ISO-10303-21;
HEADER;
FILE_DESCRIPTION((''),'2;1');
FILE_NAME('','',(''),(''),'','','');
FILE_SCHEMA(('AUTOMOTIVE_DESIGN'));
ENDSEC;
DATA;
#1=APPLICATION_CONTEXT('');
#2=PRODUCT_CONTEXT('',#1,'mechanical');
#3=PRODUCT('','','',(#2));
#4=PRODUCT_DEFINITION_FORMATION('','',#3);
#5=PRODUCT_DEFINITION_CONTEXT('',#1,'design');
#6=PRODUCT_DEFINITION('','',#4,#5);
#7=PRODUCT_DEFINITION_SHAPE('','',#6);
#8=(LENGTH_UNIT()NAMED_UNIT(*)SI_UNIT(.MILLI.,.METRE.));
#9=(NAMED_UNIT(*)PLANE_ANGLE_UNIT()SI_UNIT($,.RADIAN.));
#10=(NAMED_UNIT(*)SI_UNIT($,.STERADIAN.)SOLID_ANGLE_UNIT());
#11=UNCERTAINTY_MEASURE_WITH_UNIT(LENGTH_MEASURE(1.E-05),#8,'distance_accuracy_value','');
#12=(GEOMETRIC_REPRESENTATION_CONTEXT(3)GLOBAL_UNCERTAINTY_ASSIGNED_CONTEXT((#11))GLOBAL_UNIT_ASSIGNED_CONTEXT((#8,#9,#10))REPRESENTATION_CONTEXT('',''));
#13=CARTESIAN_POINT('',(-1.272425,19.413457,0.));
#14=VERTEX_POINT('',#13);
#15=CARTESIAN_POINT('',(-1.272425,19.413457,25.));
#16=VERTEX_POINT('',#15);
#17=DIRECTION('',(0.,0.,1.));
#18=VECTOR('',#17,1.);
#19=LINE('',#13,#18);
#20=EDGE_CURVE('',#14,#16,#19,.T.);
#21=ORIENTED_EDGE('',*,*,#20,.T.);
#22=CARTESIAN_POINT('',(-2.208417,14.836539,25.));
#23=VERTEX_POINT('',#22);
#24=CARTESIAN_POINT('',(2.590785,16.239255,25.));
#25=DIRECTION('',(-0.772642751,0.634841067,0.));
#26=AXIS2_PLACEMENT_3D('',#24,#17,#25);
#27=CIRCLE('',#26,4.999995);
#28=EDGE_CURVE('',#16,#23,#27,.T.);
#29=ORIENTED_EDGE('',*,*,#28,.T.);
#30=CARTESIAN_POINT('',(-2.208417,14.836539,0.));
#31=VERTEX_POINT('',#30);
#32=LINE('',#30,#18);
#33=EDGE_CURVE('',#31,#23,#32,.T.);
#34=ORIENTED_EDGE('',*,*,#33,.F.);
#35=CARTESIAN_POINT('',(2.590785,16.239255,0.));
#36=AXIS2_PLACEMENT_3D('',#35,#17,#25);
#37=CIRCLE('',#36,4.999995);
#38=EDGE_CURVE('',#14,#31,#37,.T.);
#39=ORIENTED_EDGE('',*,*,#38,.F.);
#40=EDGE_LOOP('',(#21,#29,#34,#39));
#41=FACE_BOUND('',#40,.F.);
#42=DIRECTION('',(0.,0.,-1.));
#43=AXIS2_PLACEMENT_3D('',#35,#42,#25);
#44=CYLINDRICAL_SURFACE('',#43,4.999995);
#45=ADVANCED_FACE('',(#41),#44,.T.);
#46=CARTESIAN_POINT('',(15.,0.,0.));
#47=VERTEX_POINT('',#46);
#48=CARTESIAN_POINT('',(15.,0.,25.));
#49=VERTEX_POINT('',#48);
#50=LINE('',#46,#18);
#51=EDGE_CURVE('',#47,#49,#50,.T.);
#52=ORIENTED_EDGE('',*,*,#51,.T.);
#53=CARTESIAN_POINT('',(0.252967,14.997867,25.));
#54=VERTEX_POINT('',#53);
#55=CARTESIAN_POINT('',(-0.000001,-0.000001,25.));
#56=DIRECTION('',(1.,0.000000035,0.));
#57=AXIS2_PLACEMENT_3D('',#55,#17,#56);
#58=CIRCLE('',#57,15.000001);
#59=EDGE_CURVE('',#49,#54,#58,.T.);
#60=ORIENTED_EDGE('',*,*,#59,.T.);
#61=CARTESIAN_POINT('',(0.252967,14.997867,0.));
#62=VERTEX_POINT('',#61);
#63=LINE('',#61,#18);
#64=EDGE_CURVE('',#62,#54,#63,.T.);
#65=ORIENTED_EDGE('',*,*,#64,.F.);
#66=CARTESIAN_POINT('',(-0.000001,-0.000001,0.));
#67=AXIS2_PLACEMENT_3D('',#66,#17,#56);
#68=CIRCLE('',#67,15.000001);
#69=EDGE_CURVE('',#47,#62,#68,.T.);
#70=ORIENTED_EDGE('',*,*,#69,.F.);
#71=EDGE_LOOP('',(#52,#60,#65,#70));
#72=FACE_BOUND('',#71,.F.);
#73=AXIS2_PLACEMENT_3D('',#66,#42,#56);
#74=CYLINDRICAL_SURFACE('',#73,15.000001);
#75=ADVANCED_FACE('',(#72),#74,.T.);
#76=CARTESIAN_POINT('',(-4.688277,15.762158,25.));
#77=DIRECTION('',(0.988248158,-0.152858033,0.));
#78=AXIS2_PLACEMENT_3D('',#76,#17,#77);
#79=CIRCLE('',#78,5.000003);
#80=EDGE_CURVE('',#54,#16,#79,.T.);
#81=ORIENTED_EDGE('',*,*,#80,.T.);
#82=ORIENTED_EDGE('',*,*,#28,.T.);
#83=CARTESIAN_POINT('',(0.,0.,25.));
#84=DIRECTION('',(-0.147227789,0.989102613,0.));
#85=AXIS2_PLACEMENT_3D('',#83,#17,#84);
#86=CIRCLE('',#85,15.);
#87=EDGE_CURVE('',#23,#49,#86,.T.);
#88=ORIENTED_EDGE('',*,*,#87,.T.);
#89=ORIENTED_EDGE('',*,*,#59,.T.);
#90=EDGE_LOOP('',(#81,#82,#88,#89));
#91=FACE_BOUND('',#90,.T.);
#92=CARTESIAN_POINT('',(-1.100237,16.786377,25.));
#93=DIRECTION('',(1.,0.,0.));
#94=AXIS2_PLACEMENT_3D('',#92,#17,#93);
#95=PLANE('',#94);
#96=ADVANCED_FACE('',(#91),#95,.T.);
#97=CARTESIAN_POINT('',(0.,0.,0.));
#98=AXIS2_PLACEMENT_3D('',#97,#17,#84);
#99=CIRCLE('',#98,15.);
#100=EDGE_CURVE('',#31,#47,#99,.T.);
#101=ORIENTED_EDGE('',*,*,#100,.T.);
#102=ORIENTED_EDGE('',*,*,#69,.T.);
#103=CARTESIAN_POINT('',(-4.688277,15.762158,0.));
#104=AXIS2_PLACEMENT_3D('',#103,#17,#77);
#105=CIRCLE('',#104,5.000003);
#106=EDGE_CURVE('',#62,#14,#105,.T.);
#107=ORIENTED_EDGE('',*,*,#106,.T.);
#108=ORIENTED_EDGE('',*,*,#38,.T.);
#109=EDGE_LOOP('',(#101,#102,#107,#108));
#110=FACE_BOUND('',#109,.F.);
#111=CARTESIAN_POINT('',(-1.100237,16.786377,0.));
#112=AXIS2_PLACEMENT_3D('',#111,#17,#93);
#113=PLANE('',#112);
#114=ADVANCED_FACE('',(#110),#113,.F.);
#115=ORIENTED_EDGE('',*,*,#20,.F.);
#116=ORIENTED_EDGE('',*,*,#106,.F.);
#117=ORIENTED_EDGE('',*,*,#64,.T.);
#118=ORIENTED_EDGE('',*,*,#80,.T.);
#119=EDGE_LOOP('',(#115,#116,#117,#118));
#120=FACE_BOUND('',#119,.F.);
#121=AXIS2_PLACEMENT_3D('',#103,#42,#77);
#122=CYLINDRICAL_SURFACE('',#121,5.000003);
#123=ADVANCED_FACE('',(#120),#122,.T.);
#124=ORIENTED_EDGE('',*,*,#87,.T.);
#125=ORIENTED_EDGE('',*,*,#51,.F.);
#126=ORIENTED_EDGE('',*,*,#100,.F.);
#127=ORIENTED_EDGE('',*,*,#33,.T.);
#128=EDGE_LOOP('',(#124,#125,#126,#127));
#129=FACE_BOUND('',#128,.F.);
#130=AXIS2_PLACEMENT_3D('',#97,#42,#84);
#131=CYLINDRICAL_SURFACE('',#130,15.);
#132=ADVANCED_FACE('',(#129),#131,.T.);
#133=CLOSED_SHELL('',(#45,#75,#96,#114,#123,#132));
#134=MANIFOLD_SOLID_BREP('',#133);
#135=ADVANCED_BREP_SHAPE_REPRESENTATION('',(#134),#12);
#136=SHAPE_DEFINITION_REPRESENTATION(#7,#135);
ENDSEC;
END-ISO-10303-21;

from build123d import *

# Parameters (mm, degrees)
F1_DEPTH = 25


with BuildPart() as f1:
    # F0 (on Top) → F1 (new body)
    with BuildSketch(Plane.XY):
        with BuildLine():
            ThreePointArc((-2.208417, 14.836539), (-0.981047, 14.967884), (0.252967, 14.997867))
            ThreePointArc((0.252967, 14.997867), (0.037675, 17.394766), (-1.272425, 19.413457))
            ThreePointArc((-1.272425, 19.413457), (-2.307826, 17.241034), (-2.208417, 14.836539))
        make_face()
        with BuildLine():
            ThreePointArc((-2.208417, 14.836539), (-9.794737, -11.360596), (15, 0))
            ThreePointArc((15, 0), (10.695665, 10.516784), (0.252967, 14.997867))
            ThreePointArc((0.252967, 14.997867), (-0.981047, 14.967884), (-2.208417, 14.836539))
        make_face()
    extrude(amount=F1_DEPTH)


solid = f1.part
